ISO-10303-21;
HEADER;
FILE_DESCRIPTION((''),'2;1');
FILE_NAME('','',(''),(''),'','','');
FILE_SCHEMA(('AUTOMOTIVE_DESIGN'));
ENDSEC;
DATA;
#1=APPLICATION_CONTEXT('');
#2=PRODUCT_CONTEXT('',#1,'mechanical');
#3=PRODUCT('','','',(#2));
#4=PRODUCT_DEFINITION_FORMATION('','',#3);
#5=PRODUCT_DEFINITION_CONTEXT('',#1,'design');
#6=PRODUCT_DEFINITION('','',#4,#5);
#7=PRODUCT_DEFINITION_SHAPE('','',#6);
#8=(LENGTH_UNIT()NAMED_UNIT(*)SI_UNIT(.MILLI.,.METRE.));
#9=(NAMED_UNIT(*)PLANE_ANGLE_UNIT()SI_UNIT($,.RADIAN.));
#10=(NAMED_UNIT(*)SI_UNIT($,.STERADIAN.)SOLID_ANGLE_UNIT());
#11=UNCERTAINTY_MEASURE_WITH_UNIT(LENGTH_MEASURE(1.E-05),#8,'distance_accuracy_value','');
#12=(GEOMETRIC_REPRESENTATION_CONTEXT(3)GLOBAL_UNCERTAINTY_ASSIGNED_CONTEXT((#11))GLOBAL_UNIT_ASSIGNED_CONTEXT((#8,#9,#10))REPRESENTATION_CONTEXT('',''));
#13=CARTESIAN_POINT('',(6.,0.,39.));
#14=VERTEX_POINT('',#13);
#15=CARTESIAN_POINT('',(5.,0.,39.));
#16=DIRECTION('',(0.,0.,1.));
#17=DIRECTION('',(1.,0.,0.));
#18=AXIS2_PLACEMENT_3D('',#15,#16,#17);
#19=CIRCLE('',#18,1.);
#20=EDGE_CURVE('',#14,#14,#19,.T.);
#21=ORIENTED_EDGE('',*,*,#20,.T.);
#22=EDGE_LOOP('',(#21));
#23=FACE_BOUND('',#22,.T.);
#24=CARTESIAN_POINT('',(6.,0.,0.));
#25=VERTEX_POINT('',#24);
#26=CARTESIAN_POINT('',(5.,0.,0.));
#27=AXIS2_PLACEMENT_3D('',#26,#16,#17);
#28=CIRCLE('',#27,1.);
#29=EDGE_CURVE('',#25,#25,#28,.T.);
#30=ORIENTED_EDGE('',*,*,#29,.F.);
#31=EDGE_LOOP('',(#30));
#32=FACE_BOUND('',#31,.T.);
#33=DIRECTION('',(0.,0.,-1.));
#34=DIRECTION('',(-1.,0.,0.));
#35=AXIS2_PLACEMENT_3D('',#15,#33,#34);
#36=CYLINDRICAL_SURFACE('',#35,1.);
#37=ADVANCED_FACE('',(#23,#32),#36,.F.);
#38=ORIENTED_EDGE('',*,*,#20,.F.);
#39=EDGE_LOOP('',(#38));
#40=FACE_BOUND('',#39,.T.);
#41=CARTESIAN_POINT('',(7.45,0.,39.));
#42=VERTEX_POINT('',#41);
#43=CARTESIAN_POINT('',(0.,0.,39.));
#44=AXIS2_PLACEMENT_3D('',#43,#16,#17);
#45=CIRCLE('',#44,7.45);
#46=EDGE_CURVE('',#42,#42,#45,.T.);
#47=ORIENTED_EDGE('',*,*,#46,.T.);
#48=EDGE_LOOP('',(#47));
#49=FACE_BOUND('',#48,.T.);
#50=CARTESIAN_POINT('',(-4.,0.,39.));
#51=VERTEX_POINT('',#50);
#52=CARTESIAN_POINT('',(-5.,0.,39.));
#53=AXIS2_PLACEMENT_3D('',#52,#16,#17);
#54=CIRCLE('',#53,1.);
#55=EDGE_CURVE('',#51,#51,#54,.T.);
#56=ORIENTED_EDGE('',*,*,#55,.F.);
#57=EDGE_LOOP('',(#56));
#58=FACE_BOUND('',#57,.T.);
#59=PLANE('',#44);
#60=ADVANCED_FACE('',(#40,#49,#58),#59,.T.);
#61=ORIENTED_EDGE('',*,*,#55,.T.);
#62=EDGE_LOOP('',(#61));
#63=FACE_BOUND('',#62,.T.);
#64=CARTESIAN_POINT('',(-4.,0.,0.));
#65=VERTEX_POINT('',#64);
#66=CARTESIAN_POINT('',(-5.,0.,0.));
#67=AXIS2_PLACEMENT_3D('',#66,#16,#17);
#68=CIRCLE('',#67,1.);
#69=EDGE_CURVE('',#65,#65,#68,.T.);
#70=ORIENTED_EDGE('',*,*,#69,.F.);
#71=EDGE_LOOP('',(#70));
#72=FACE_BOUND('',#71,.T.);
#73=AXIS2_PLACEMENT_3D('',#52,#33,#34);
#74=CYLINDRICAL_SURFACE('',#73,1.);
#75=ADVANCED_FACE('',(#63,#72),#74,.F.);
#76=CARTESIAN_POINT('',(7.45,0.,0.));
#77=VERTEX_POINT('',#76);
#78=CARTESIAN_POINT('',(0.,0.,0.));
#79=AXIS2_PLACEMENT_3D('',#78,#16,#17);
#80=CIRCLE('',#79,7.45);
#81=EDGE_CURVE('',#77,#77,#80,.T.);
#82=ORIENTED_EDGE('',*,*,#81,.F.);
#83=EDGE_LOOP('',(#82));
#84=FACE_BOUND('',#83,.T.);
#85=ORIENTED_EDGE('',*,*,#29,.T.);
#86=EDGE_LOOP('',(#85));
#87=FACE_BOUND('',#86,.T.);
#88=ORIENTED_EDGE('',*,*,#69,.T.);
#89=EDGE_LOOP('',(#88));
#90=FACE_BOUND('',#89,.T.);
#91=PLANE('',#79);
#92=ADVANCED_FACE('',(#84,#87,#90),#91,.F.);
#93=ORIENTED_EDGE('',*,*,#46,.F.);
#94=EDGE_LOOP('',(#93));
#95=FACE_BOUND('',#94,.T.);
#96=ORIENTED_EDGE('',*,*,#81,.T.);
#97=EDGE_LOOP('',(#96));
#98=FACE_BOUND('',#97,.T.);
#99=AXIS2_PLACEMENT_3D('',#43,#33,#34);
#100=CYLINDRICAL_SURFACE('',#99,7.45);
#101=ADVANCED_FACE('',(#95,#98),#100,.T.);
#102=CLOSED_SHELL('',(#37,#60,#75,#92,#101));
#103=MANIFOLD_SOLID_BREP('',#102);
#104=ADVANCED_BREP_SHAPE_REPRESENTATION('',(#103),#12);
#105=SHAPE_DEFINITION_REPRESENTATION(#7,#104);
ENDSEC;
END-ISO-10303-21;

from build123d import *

# Parameters (mm, degrees)
SKETCH1_R           = 7.45
SKETCH1_R_2         = 1
BOSS_EXTRUDE1_DEPTH = 39


with BuildPart() as part:
    # Sketch1 → Boss-Extrude1 (new body)
    with BuildSketch(Plane.XY):
        Circle(SKETCH1_R)
        with Locations((-5, 0)):
            Circle(SKETCH1_R_2, mode=Mode.SUBTRACT)
        with Locations((5, 0)):
            Circle(SKETCH1_R_2, mode=Mode.SUBTRACT)
    extrude(amount=BOSS_EXTRUDE1_DEPTH)


solid = part.part
